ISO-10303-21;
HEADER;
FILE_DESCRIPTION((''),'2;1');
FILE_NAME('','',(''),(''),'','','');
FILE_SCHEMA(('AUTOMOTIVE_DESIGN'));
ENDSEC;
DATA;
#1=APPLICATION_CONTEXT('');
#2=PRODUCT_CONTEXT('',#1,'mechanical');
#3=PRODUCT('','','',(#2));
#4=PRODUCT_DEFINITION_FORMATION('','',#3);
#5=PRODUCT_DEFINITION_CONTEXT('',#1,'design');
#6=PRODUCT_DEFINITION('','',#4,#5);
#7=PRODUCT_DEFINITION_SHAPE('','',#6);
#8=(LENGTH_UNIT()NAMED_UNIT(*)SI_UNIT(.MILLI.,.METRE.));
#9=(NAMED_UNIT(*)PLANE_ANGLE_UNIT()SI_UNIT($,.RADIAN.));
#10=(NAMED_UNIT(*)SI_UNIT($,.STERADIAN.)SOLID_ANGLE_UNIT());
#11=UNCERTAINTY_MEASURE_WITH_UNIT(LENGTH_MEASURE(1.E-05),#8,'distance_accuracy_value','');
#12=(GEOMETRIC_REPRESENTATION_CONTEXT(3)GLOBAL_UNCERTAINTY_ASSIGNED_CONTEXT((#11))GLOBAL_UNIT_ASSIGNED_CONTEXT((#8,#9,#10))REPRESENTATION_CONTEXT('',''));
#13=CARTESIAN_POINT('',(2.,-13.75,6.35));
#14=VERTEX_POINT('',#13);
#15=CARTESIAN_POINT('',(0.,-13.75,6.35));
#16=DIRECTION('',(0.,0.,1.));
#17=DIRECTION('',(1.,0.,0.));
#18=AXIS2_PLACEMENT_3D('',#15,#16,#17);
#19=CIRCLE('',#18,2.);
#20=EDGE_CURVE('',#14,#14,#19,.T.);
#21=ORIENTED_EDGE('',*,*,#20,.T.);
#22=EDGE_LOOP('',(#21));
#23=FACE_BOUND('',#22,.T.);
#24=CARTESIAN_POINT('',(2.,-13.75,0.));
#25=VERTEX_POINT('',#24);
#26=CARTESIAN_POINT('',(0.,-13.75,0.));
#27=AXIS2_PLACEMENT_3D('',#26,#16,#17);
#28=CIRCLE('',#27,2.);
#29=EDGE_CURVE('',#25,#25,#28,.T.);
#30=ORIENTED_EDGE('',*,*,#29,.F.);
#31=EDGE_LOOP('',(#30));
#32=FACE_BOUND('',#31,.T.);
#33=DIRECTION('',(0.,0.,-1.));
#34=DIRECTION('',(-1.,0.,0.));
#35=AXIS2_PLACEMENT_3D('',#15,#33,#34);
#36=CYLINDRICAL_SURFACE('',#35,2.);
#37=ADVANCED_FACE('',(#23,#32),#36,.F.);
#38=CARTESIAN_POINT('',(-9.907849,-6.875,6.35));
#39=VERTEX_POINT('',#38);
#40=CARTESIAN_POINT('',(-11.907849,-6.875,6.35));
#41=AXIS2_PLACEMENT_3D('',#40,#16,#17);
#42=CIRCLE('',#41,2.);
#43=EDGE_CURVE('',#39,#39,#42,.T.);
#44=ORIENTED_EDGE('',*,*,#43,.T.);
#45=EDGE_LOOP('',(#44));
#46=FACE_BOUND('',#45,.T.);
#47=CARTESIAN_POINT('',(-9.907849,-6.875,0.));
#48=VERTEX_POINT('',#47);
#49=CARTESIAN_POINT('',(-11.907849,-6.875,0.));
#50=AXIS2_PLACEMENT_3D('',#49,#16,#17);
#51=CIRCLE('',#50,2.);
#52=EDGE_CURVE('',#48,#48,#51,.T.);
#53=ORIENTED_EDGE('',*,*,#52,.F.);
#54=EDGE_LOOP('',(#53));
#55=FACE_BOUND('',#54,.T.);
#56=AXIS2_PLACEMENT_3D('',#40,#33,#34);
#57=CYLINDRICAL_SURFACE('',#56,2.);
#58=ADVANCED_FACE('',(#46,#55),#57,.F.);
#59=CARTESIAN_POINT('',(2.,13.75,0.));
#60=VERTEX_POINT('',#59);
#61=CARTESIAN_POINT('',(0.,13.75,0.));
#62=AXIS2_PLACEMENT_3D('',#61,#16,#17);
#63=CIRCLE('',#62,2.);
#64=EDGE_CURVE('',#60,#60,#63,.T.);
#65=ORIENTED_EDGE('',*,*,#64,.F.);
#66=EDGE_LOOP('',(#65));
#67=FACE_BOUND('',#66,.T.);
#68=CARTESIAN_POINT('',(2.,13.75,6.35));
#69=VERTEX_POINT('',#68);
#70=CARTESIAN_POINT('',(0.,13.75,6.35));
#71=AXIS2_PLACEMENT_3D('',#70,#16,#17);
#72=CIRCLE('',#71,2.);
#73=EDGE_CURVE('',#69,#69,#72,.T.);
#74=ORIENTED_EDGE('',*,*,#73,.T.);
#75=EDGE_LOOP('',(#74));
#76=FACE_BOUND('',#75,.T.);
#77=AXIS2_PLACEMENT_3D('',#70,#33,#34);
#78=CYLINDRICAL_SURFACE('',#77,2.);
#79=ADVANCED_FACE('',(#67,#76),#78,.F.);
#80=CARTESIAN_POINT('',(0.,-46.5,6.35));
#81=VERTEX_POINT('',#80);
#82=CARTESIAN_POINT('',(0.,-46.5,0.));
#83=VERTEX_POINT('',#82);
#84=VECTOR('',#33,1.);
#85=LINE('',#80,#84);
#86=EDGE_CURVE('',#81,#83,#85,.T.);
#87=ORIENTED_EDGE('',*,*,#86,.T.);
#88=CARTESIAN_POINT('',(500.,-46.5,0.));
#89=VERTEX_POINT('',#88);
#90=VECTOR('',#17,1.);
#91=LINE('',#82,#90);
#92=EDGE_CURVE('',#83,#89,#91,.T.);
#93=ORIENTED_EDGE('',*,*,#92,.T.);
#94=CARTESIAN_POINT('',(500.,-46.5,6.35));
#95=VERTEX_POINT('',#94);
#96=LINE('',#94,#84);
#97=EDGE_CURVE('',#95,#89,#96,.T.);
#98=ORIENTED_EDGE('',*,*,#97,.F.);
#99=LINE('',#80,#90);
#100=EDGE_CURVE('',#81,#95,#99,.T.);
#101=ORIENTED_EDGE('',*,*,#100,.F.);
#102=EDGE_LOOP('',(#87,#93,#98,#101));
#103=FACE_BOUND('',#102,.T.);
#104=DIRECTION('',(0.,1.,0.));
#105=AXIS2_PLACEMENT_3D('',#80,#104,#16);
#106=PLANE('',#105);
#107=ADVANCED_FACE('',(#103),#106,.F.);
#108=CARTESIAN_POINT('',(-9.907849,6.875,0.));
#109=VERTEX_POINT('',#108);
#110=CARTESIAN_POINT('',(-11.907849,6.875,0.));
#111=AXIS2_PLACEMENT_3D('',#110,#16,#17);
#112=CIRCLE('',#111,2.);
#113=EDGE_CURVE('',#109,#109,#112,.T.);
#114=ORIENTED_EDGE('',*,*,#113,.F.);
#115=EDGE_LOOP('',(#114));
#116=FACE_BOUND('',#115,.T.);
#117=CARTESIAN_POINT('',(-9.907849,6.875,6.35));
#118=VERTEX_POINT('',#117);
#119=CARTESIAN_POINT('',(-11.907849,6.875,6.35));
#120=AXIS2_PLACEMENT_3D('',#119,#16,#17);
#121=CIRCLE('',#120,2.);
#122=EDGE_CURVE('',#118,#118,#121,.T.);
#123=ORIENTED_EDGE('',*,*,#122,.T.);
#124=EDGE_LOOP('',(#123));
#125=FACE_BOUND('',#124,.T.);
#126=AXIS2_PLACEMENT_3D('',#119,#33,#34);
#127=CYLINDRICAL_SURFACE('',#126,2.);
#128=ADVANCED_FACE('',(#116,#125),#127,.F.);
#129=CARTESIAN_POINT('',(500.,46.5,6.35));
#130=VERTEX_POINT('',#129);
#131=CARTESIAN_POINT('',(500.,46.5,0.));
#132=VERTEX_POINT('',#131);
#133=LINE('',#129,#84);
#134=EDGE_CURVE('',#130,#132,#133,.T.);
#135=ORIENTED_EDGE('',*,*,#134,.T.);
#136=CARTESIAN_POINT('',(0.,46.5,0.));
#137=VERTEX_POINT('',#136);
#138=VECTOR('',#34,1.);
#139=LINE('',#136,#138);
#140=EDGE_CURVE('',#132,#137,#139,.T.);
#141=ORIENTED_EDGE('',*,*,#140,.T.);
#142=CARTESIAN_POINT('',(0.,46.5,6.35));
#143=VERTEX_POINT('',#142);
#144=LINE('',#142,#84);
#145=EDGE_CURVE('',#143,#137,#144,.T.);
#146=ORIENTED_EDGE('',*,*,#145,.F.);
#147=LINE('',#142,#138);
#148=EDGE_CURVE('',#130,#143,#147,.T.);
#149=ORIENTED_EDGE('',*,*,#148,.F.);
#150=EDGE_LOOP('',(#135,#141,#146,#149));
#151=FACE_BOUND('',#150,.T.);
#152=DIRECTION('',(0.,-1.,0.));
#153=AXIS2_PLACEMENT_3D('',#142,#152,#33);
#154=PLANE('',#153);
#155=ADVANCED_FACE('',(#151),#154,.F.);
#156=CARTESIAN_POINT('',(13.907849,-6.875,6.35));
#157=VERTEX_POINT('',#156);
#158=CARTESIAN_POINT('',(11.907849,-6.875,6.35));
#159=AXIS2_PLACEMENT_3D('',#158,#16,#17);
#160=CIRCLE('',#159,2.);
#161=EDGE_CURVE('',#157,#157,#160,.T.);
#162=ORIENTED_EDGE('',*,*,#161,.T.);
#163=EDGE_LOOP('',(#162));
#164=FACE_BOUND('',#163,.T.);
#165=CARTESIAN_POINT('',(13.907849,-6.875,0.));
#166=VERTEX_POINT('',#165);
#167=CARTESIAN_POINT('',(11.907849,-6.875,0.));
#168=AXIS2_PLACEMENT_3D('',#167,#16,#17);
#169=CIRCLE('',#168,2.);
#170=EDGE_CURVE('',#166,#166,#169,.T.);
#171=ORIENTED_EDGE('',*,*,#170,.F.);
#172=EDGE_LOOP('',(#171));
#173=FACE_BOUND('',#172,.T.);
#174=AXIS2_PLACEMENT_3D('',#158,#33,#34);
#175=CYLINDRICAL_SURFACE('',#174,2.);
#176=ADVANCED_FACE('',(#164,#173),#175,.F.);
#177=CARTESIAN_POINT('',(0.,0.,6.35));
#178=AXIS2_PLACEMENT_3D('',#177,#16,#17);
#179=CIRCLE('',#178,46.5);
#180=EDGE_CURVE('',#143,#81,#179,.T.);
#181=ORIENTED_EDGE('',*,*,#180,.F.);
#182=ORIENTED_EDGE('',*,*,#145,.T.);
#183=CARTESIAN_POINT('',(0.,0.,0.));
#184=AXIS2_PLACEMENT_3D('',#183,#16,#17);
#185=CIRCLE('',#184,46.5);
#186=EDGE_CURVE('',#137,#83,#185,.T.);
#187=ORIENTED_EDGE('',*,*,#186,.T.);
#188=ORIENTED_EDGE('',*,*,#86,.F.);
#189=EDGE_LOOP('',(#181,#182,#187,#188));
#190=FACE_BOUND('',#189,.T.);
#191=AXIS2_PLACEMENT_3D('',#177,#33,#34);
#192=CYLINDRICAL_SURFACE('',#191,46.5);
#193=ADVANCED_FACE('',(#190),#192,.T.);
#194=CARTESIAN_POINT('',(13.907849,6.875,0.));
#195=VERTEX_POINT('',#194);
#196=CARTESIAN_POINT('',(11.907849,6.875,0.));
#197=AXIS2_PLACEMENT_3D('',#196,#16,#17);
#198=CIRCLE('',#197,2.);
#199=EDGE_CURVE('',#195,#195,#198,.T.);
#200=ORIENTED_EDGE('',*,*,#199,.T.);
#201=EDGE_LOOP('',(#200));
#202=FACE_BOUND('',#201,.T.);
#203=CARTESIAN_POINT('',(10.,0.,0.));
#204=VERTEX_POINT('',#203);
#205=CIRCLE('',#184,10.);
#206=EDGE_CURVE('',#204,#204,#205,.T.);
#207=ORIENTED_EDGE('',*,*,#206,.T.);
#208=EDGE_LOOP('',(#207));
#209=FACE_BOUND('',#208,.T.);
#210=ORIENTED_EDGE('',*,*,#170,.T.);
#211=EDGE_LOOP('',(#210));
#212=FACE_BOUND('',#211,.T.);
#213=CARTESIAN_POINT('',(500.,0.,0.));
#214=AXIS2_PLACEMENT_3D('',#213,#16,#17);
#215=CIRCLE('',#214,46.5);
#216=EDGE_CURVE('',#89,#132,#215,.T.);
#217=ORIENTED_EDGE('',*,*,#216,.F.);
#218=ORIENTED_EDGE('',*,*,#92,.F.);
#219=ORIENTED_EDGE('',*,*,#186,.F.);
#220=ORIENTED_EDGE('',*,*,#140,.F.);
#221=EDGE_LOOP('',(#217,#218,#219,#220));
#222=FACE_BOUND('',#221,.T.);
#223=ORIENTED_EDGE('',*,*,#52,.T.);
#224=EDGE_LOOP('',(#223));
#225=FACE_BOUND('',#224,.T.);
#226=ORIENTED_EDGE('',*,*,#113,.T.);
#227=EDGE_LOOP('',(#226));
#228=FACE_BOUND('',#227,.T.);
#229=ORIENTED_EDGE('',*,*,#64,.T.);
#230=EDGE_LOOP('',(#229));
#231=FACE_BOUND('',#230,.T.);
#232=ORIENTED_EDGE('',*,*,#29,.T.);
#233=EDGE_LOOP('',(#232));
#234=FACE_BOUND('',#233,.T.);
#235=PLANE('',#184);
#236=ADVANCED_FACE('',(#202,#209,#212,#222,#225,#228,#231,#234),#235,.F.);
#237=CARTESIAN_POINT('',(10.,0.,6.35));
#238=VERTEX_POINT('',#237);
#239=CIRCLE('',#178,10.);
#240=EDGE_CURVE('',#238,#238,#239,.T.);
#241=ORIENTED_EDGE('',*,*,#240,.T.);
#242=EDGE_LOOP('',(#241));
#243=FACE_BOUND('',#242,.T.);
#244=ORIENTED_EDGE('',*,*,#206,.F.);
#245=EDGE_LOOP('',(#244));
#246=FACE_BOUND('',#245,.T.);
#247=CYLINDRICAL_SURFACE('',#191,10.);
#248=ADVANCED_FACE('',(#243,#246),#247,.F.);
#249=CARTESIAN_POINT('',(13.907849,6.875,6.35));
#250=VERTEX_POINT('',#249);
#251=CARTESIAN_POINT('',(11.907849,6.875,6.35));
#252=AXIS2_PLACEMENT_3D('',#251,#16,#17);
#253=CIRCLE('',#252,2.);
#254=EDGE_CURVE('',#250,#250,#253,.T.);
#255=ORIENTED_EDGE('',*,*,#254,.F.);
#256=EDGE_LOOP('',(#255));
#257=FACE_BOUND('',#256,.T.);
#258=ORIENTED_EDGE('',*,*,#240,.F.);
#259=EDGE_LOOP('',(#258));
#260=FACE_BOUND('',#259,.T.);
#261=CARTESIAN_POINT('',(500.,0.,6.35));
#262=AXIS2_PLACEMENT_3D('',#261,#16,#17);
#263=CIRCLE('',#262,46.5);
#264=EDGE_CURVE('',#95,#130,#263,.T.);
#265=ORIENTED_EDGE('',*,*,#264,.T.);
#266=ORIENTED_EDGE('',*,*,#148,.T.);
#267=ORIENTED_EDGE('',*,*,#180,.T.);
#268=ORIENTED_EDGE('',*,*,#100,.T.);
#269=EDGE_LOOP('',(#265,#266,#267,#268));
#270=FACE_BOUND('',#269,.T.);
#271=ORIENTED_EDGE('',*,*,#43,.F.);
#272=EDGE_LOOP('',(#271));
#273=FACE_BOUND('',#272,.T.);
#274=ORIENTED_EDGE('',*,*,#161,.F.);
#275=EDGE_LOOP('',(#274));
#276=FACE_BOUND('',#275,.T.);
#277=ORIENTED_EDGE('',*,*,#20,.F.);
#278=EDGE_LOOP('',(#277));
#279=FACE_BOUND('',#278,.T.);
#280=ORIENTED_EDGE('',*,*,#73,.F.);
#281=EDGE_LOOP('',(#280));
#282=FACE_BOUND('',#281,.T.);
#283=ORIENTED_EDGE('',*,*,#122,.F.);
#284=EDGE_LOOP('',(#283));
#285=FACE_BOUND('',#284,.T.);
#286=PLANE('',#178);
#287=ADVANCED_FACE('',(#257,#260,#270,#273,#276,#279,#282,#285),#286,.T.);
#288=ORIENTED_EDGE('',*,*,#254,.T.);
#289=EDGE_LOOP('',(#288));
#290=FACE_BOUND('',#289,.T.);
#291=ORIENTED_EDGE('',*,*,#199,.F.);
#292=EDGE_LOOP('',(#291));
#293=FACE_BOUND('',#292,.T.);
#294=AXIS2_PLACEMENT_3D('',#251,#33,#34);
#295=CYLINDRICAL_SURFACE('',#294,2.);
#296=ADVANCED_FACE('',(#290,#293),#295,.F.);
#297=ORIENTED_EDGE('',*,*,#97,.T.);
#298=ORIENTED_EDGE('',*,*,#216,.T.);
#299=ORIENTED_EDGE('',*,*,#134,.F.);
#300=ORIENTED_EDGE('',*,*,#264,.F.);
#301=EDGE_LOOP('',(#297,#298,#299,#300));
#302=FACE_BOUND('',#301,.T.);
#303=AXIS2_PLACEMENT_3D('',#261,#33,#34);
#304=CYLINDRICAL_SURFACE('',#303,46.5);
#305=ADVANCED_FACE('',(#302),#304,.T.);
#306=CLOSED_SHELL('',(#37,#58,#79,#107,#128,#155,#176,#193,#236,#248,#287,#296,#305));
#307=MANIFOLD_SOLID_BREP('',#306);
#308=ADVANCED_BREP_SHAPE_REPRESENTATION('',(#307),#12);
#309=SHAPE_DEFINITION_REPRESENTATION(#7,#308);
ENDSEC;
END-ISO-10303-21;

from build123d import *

# Parameters (mm, degrees)
SKETCH2_R           = 10
SKETCH2_R_2         = 2
BOSS_EXTRUDE1_DEPTH = 6.35


with BuildPart() as part:
    # Sketch2 → Boss-Extrude1 (new body)
    with BuildSketch(Plane.XY):
        with BuildLine():
            Line((0, 46.5), (500, 46.5))
            ThreePointArc((500, 46.5), (546.5, 0), (500, -46.5))
            Line((500, -46.5), (0, -46.5))
            ThreePointArc((0, -46.5), (-46.5, 0), (0, 46.5))
        make_face()
        Circle(SKETCH2_R, mode=Mode.SUBTRACT)
        with Locations((0, 13.75)):
            Circle(SKETCH2_R_2, mode=Mode.SUBTRACT)
        with Locations((11.907849302, 6.875)):
            Circle(SKETCH2_R_2, mode=Mode.SUBTRACT)
        with Locations((11.907849302, -6.875)):
            Circle(SKETCH2_R_2, mode=Mode.SUBTRACT)
        with Locations((0, -13.75)):
            Circle(SKETCH2_R_2, mode=Mode.SUBTRACT)
        with Locations((-11.907849302, -6.875)):
            Circle(SKETCH2_R_2, mode=Mode.SUBTRACT)
        with Locations((-11.907849302, 6.875)):
            Circle(SKETCH2_R_2, mode=Mode.SUBTRACT)
    extrude(amount=BOSS_EXTRUDE1_DEPTH)


solid = part.part
